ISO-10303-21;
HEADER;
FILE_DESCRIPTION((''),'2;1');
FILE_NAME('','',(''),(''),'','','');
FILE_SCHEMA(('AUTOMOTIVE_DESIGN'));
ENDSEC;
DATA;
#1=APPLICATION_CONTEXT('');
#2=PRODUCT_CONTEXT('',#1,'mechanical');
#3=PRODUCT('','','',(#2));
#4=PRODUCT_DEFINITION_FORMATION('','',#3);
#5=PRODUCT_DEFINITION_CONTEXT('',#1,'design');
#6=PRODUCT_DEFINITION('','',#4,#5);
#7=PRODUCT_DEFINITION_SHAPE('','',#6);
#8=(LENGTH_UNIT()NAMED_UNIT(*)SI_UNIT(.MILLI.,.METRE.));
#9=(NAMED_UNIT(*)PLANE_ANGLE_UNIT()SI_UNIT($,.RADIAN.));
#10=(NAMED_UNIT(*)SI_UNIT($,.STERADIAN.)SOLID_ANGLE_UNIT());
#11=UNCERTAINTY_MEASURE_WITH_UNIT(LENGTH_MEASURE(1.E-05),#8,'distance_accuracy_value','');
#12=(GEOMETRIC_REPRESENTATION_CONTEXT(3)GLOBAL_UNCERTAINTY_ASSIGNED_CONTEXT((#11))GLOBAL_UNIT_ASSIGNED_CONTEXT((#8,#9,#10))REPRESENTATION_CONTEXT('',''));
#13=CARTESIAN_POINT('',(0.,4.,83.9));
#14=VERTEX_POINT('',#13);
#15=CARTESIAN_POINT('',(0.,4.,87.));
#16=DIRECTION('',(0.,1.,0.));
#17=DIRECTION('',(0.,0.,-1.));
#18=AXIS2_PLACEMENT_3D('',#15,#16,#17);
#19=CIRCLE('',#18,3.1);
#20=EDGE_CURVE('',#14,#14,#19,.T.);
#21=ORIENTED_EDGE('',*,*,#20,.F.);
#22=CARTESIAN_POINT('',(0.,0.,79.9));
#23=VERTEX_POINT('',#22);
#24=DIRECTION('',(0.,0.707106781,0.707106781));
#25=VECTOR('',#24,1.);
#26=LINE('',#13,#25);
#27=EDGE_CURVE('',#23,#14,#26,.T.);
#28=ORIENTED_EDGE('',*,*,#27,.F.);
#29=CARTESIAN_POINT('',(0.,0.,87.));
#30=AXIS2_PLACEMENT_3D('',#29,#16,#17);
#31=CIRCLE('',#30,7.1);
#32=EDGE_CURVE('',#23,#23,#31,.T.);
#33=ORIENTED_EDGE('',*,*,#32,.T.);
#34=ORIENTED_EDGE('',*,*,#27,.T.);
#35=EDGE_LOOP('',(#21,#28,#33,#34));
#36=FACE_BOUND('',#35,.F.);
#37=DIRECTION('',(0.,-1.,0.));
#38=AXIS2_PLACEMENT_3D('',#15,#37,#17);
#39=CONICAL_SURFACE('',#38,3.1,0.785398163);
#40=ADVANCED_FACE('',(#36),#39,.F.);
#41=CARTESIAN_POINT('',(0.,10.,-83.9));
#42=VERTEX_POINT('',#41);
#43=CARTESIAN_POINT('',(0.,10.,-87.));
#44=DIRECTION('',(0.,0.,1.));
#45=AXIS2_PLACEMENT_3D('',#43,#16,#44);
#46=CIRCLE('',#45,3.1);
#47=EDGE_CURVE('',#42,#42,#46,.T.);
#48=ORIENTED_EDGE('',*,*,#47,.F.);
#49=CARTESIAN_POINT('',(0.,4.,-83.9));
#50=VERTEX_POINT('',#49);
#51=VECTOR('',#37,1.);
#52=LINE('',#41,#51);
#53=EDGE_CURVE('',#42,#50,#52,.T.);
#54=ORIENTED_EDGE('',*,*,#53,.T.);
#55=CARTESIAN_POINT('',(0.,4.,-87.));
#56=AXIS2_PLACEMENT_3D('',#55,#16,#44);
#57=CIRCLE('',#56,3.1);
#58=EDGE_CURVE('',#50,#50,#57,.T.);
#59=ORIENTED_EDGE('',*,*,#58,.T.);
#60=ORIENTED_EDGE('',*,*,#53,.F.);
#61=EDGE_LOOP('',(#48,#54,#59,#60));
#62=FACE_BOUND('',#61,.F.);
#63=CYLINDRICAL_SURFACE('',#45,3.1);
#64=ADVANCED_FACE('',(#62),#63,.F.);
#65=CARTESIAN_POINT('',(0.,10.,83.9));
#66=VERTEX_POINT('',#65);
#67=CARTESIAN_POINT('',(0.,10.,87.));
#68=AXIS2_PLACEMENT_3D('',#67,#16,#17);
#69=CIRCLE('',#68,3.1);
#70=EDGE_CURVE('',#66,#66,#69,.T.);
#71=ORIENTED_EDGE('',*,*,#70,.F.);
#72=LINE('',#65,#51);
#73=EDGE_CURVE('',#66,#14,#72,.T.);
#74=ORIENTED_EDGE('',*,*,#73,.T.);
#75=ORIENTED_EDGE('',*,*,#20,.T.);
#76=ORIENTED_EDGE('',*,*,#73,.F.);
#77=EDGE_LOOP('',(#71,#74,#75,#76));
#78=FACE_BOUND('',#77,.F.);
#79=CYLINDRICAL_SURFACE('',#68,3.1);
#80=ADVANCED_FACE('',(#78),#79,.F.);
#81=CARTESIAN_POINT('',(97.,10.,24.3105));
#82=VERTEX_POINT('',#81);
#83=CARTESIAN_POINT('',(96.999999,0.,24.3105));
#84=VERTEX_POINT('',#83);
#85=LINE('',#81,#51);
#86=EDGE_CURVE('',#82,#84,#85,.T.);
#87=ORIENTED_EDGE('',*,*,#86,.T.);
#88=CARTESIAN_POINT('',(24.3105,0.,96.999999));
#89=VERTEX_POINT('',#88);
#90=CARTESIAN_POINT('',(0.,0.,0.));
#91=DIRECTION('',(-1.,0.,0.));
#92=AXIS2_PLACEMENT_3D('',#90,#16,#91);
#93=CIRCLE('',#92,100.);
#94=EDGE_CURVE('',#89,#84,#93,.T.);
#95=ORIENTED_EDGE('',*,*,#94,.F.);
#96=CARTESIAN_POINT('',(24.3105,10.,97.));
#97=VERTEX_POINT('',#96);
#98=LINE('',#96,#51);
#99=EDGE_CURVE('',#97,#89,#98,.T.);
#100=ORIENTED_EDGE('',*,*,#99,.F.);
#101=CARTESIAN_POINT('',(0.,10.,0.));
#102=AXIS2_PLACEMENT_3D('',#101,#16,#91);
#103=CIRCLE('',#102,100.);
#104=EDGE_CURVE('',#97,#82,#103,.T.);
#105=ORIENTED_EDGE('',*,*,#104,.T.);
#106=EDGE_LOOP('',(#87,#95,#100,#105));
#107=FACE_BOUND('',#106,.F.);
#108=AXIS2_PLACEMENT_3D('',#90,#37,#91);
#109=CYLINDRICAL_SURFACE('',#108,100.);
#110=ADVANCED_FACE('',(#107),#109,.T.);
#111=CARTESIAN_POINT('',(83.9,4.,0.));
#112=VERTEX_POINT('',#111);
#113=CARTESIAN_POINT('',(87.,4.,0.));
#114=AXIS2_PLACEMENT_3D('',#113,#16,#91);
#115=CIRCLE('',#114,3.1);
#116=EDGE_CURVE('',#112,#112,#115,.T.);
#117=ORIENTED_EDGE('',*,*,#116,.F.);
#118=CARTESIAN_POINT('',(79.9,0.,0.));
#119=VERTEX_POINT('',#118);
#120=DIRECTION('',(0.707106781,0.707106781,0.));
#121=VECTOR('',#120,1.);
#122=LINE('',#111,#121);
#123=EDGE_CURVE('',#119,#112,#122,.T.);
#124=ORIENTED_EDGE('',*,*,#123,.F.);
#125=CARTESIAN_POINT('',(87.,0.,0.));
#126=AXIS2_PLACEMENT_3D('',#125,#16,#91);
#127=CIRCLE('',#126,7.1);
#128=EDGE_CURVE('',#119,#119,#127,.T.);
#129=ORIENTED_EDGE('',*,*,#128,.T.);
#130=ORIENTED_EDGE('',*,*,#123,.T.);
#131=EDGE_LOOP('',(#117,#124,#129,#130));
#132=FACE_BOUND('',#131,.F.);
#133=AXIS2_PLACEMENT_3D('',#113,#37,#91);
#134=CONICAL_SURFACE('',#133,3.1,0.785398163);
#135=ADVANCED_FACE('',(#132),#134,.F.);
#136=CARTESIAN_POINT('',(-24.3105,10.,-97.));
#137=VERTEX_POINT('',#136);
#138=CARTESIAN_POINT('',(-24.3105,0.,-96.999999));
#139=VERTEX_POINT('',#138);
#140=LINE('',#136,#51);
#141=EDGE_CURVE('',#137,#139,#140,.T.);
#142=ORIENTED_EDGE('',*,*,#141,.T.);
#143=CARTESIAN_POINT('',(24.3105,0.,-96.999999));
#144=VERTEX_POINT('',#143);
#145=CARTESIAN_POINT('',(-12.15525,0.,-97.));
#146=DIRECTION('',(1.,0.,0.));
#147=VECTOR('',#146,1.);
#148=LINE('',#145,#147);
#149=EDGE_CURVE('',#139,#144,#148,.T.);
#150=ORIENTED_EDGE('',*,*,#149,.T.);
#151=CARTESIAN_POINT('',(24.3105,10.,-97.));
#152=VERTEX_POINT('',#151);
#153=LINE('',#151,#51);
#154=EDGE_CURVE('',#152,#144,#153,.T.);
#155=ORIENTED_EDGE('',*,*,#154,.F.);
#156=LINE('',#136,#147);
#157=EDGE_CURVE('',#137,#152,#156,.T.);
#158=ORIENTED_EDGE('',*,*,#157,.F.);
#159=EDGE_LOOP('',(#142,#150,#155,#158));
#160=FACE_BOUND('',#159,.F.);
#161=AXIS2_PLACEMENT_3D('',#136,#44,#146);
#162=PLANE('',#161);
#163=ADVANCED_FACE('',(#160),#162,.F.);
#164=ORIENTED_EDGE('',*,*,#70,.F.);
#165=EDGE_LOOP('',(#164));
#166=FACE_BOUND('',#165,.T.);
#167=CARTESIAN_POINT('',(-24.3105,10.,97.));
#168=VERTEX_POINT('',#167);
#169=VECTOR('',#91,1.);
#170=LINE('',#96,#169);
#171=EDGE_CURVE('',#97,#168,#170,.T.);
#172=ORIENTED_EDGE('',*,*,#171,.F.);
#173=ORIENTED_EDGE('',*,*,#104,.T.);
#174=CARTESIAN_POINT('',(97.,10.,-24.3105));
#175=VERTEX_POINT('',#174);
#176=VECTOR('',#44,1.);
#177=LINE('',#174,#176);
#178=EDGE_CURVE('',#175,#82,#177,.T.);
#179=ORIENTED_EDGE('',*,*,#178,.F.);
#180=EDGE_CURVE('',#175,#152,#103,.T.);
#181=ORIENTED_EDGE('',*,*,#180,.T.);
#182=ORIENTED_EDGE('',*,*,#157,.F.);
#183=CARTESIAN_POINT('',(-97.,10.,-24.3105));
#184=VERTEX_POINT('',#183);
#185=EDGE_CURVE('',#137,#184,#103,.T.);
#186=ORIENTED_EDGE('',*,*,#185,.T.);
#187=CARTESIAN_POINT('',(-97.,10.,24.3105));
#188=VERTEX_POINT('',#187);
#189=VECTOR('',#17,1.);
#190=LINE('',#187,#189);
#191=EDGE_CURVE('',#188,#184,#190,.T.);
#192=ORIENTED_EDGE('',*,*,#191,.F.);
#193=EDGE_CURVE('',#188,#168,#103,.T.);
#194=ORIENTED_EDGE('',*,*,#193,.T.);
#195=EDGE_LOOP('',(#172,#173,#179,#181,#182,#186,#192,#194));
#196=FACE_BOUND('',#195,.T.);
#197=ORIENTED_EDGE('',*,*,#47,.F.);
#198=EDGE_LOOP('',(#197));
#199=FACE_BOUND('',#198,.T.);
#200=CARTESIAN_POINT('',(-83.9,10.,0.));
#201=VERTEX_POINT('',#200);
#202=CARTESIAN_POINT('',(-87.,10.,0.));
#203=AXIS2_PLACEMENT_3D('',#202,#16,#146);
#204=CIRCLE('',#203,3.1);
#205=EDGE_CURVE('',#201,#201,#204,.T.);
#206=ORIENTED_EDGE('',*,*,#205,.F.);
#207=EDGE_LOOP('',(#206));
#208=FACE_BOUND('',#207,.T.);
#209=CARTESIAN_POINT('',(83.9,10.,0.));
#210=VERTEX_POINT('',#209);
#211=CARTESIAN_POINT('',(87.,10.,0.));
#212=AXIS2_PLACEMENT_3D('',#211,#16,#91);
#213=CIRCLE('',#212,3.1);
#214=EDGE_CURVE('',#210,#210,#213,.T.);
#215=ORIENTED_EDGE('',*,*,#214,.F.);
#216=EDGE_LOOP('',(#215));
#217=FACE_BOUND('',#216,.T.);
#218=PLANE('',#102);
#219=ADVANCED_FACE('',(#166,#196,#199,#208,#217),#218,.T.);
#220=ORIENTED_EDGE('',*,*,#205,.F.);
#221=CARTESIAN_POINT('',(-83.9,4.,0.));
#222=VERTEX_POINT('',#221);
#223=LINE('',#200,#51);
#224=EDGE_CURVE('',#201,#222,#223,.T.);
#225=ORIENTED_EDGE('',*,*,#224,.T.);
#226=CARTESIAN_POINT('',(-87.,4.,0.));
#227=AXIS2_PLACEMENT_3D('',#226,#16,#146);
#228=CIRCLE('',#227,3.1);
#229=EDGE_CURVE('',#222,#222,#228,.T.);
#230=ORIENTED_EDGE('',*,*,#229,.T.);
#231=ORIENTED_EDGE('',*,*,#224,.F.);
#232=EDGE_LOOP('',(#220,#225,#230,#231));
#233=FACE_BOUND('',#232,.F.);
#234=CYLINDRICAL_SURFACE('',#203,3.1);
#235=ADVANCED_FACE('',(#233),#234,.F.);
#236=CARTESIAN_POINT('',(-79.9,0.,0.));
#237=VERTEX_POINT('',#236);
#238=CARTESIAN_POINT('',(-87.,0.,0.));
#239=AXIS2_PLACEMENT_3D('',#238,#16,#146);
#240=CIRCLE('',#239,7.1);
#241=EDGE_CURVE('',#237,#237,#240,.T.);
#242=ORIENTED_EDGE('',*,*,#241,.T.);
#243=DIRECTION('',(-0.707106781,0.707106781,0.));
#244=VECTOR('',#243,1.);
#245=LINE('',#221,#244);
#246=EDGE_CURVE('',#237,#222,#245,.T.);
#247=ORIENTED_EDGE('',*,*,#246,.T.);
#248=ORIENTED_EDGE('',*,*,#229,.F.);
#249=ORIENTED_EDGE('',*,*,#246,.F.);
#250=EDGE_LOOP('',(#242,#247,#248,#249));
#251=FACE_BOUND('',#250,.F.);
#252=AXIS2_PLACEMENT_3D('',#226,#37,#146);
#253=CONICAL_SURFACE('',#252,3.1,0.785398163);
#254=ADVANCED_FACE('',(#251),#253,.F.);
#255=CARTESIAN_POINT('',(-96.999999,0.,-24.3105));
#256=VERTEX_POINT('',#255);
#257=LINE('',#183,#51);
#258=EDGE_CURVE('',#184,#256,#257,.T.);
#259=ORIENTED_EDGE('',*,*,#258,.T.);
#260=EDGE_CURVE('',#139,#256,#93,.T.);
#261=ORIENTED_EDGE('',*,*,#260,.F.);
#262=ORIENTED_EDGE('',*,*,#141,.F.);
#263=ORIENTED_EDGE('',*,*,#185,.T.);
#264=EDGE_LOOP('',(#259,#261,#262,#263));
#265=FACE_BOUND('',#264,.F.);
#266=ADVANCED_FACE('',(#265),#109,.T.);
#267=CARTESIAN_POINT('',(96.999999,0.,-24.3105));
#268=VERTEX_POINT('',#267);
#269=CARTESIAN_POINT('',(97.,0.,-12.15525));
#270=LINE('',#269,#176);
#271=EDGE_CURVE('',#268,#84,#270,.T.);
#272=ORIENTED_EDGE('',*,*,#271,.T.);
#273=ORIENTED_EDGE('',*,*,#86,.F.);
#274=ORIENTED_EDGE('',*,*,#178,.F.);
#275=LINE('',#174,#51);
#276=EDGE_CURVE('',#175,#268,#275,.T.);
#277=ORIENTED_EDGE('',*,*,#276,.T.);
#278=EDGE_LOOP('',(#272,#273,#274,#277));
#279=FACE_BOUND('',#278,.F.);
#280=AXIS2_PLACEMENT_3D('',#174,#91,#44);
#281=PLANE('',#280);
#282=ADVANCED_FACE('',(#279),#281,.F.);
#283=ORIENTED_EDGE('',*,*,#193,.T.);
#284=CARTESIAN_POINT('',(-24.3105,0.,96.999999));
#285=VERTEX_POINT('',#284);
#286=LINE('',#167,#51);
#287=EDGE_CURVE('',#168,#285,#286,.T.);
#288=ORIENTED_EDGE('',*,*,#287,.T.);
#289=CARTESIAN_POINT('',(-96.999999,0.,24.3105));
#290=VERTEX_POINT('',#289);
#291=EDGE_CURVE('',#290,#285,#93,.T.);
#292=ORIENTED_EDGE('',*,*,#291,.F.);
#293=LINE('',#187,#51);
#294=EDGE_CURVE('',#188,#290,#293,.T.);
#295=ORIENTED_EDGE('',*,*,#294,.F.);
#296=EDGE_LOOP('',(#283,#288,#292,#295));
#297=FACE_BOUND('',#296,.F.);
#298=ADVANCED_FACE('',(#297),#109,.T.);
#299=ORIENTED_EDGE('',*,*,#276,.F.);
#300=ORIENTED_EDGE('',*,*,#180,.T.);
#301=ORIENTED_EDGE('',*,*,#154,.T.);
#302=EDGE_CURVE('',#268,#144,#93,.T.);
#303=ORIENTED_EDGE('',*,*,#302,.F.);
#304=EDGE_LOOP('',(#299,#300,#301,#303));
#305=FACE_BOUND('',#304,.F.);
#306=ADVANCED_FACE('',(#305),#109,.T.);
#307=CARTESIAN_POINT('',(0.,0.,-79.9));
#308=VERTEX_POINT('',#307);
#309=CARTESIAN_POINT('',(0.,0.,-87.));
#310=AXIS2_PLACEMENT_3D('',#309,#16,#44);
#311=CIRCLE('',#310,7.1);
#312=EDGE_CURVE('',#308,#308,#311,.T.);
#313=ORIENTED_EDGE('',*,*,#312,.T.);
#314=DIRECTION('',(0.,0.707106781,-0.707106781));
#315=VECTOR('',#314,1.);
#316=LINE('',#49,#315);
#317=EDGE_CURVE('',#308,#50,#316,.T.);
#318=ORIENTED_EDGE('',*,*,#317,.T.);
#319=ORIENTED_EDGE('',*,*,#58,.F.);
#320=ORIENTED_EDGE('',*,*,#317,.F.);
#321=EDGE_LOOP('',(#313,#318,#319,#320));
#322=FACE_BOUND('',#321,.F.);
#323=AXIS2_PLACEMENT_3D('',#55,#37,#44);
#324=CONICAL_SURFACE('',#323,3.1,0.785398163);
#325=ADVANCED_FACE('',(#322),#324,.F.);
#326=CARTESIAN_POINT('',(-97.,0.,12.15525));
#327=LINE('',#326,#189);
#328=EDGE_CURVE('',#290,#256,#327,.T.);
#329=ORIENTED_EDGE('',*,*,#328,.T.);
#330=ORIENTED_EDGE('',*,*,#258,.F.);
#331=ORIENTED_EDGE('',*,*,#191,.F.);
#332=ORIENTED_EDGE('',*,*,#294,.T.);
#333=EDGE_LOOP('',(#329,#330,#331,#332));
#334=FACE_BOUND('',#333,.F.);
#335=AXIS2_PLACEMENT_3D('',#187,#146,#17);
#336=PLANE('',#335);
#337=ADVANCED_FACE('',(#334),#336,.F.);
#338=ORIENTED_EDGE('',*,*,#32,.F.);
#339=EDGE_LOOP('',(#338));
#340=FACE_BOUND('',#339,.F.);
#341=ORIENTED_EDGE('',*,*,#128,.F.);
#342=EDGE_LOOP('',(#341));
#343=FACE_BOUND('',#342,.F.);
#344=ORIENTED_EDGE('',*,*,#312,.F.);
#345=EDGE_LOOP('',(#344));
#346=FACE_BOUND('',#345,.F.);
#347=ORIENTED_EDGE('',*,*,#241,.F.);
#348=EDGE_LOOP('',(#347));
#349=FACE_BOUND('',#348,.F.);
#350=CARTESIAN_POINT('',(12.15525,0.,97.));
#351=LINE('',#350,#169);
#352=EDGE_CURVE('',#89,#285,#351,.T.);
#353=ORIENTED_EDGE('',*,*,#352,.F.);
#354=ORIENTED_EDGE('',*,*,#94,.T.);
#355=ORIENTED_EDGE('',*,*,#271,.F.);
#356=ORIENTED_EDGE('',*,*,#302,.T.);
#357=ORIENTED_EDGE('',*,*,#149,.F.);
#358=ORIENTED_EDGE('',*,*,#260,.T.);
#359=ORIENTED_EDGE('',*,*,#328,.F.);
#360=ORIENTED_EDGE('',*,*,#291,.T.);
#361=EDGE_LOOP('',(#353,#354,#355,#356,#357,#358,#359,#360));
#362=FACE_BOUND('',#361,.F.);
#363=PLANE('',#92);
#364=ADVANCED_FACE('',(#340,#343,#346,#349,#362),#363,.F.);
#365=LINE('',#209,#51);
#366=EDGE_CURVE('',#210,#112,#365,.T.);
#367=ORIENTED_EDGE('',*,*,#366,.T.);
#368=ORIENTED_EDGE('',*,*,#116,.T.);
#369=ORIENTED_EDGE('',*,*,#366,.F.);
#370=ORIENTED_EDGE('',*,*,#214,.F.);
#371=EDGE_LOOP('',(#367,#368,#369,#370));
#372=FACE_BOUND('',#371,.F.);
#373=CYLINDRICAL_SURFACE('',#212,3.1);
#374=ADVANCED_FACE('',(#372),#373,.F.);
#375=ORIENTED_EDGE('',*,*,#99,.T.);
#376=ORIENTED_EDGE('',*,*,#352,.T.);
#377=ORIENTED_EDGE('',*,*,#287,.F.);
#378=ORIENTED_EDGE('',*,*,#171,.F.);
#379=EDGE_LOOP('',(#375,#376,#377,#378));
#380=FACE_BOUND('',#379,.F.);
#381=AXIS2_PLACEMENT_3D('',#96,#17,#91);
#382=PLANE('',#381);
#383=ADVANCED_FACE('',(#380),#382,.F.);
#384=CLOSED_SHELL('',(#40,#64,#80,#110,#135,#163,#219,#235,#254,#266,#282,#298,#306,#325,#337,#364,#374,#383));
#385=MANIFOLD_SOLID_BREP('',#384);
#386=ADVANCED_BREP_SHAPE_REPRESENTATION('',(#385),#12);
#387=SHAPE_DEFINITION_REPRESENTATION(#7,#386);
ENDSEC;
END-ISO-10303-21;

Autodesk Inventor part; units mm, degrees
ref_plane "YZ Plane" through (0, 0, 0) normal (1, 0, 0) x (0, 1, 0)
ref_plane "XZ Plane" through (0, 0, 0) normal (0, 1, 0) x (-1, 0, 0)
ref_plane "XY Plane" through (0, 0, 0) normal (0, 0, 1) x (1, 0, 0)
sketch "Skizze1" plane through (0, 0, 0) normal (0, 1, 0) x (-1, 0, 0)
  circle A0 centre (0, 0) radius 100
  dimension "d0" = 200
extrude "Extrusion1" add sketch "Skizze1" along normal blind 10
sketch "Skizze2" plane through (0, 10, 0) normal (0, 1, 0) x (1, 0, 0)
  circle A0 centre (0, 0) radius 100 projected
  circle A1 centre (-87, 0) radius 3.1
  dimension "d3" = 6.2
  dimension "d4" = 87
  dimension "d5" = 200
extrude "Extrusion2" cut sketch "Skizze2" against normal through all contours A1
chamfer "Fasen1" distance 4 angle 45 1 edges at (-90.1, 0, 0)
sketch "Skizze3" plane through (0, 10, 0) normal (0, 1, 0) x (1, 0, 0)
  circle A0 centre (-87, 0) radius 3.1 projected
  circle A1 centre (0, 0) radius 100 projected
  line L0 (-97, -24.3105) -> (-97, 24.3105)
  circle A2 centre (0, 0) radius 100 projected
  point P0 (-97, -24.3105)
  dimension "d11" = 10
extrude "Extrusion3" cut sketch "Skizze3" against normal through all contours L0 A1 picked at (-97.7491, 4.0825)
pattern_circular "Runde Anordnung3" count 4 over 360 about axis through (0, -10, 0) along (0, 1, 0) of "Extrusion2", "Fasen1"
pattern_circular "Runde Anordnung4" count 4 over 360 about axis through (0, -10, 0) along (0, 1, 0) of "Extrusion3"
properties part number "plate_lower"
